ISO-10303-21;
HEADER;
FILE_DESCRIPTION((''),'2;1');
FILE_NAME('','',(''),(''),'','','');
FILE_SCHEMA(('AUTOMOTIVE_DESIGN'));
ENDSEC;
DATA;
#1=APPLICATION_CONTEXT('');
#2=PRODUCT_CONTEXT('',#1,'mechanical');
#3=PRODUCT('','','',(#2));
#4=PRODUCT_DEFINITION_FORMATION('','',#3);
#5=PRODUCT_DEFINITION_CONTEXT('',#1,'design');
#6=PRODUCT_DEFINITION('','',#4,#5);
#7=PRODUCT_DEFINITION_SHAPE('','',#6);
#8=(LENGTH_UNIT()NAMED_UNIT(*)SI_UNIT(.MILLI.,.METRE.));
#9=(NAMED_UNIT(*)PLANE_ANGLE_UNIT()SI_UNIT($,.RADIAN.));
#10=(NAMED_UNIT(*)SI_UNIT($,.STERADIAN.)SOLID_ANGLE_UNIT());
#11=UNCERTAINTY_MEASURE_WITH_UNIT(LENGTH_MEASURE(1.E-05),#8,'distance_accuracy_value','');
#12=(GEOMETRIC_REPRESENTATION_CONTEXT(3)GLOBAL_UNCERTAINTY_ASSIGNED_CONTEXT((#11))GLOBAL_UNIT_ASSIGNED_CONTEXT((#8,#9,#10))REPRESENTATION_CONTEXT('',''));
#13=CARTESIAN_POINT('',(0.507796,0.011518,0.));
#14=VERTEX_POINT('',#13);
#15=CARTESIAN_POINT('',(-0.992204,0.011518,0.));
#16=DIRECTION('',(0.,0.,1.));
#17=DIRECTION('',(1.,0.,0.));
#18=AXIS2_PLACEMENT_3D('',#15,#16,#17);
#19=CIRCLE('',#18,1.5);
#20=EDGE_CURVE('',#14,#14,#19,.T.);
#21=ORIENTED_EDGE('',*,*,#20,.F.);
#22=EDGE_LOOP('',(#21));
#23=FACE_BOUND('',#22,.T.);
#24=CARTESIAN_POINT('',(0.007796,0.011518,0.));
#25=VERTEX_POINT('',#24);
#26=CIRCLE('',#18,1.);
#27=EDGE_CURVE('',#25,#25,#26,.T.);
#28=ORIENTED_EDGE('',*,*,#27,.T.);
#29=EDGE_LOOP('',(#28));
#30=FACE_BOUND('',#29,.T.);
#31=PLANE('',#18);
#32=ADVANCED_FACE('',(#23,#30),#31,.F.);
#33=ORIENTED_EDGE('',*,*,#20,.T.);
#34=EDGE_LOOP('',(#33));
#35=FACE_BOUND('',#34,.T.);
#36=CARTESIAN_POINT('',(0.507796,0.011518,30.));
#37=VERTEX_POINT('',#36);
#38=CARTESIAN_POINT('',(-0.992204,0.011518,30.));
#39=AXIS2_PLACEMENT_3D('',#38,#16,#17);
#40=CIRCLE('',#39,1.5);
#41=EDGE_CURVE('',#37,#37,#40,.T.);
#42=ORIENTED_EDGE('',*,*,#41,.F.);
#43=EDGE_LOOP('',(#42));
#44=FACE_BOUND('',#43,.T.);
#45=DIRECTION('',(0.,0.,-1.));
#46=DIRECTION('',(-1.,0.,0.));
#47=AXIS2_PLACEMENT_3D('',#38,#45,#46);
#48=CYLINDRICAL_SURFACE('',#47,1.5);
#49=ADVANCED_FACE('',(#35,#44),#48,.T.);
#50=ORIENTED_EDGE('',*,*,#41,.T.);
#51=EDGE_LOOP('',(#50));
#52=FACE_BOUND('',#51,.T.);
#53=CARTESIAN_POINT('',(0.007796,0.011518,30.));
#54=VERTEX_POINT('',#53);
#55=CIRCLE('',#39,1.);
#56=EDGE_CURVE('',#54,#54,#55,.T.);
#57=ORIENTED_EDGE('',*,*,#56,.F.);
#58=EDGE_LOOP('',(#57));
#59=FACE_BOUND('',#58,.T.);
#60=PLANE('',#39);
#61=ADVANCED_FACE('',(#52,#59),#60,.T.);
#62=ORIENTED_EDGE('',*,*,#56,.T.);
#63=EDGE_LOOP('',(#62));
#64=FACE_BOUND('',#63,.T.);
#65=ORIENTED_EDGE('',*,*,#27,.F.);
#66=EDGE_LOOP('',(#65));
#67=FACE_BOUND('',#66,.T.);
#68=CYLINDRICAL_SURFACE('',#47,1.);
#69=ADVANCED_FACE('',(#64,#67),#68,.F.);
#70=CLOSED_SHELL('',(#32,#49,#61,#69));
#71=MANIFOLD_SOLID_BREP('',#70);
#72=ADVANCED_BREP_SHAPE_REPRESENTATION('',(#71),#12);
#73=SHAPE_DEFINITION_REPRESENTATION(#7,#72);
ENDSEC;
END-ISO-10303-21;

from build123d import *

# Parameters (mm, degrees)
SKETCH1_R           = 1.5
SKETCH1_R_2         = 1
BOSS_EXTRUDE1_DEPTH = 30


with BuildPart() as part:
    # Sketch1 → Boss-Extrude1 (new body)
    with BuildSketch(Plane.XY):
        with Locations((-0.992203806, 0.011518033)):
            Circle(SKETCH1_R)
        with Locations((-0.992203806, 0.011518033)):
            Circle(SKETCH1_R_2, mode=Mode.SUBTRACT)
    extrude(amount=BOSS_EXTRUDE1_DEPTH)


solid = part.part
